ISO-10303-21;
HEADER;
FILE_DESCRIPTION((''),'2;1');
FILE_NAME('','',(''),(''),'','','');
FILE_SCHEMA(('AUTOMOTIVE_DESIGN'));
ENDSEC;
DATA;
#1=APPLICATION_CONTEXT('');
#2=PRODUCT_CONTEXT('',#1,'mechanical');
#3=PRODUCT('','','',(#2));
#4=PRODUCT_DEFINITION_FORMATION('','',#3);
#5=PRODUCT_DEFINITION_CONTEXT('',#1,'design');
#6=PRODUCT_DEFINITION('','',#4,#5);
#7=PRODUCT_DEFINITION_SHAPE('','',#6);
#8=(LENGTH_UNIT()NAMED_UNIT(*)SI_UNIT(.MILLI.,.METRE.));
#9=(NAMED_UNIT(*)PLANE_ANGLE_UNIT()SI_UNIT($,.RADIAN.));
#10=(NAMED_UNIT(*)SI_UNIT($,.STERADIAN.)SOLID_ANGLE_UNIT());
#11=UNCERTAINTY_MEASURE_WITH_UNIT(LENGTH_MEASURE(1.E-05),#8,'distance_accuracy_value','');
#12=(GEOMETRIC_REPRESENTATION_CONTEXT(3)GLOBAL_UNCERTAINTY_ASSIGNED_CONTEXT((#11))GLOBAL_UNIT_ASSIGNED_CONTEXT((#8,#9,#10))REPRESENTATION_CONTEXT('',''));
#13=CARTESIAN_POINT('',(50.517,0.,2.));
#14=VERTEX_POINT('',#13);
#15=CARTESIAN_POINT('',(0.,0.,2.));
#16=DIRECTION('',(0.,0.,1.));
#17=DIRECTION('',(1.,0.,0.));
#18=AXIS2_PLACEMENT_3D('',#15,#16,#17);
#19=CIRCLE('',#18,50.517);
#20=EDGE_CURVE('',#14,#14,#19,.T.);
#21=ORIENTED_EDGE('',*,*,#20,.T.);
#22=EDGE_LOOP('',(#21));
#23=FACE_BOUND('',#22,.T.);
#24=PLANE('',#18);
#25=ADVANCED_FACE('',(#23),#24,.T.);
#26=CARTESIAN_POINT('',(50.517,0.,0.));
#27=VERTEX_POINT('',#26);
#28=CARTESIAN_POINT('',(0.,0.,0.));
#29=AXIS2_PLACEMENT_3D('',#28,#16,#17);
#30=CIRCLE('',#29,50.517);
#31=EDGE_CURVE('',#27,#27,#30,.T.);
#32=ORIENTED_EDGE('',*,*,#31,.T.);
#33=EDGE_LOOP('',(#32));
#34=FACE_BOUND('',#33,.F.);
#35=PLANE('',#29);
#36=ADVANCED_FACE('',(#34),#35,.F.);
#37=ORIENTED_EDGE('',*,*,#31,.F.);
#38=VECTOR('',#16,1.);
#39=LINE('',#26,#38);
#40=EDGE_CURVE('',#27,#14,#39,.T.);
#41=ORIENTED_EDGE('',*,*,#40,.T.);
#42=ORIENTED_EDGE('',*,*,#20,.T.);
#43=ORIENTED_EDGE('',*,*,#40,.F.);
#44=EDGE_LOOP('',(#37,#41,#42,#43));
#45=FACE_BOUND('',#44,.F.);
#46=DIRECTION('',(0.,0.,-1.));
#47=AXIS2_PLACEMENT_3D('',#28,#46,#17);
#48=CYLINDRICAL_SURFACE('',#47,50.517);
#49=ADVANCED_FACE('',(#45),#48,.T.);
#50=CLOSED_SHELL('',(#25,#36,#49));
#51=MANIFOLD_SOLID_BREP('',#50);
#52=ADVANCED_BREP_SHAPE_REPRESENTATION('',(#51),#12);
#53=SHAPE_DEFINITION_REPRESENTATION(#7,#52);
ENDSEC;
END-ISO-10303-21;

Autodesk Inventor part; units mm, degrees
ref_plane "YZ Plane" through (0, 0, 0) normal (1, 0, 0) x (0, 1, 0)
ref_plane "XZ Plane" through (0, 0, 0) normal (0, 1, 0) x (-1, 0, 0)
ref_plane "XY Plane" through (0, 0, 0) normal (0, 0, 1) x (1, 0, 0)
sketch "Sketch1" plane through (0, 0, 0) normal (0, 0, 1) x (1, 0, 0)
  circle A0 centre (0, 0) radius 50.517 projected
  point P0 (0, 0)
  dimension "d0" = 2
extrude "Extrusion1" add sketch "Sketch1" along normal blind 2
properties part number "chutecap1"
